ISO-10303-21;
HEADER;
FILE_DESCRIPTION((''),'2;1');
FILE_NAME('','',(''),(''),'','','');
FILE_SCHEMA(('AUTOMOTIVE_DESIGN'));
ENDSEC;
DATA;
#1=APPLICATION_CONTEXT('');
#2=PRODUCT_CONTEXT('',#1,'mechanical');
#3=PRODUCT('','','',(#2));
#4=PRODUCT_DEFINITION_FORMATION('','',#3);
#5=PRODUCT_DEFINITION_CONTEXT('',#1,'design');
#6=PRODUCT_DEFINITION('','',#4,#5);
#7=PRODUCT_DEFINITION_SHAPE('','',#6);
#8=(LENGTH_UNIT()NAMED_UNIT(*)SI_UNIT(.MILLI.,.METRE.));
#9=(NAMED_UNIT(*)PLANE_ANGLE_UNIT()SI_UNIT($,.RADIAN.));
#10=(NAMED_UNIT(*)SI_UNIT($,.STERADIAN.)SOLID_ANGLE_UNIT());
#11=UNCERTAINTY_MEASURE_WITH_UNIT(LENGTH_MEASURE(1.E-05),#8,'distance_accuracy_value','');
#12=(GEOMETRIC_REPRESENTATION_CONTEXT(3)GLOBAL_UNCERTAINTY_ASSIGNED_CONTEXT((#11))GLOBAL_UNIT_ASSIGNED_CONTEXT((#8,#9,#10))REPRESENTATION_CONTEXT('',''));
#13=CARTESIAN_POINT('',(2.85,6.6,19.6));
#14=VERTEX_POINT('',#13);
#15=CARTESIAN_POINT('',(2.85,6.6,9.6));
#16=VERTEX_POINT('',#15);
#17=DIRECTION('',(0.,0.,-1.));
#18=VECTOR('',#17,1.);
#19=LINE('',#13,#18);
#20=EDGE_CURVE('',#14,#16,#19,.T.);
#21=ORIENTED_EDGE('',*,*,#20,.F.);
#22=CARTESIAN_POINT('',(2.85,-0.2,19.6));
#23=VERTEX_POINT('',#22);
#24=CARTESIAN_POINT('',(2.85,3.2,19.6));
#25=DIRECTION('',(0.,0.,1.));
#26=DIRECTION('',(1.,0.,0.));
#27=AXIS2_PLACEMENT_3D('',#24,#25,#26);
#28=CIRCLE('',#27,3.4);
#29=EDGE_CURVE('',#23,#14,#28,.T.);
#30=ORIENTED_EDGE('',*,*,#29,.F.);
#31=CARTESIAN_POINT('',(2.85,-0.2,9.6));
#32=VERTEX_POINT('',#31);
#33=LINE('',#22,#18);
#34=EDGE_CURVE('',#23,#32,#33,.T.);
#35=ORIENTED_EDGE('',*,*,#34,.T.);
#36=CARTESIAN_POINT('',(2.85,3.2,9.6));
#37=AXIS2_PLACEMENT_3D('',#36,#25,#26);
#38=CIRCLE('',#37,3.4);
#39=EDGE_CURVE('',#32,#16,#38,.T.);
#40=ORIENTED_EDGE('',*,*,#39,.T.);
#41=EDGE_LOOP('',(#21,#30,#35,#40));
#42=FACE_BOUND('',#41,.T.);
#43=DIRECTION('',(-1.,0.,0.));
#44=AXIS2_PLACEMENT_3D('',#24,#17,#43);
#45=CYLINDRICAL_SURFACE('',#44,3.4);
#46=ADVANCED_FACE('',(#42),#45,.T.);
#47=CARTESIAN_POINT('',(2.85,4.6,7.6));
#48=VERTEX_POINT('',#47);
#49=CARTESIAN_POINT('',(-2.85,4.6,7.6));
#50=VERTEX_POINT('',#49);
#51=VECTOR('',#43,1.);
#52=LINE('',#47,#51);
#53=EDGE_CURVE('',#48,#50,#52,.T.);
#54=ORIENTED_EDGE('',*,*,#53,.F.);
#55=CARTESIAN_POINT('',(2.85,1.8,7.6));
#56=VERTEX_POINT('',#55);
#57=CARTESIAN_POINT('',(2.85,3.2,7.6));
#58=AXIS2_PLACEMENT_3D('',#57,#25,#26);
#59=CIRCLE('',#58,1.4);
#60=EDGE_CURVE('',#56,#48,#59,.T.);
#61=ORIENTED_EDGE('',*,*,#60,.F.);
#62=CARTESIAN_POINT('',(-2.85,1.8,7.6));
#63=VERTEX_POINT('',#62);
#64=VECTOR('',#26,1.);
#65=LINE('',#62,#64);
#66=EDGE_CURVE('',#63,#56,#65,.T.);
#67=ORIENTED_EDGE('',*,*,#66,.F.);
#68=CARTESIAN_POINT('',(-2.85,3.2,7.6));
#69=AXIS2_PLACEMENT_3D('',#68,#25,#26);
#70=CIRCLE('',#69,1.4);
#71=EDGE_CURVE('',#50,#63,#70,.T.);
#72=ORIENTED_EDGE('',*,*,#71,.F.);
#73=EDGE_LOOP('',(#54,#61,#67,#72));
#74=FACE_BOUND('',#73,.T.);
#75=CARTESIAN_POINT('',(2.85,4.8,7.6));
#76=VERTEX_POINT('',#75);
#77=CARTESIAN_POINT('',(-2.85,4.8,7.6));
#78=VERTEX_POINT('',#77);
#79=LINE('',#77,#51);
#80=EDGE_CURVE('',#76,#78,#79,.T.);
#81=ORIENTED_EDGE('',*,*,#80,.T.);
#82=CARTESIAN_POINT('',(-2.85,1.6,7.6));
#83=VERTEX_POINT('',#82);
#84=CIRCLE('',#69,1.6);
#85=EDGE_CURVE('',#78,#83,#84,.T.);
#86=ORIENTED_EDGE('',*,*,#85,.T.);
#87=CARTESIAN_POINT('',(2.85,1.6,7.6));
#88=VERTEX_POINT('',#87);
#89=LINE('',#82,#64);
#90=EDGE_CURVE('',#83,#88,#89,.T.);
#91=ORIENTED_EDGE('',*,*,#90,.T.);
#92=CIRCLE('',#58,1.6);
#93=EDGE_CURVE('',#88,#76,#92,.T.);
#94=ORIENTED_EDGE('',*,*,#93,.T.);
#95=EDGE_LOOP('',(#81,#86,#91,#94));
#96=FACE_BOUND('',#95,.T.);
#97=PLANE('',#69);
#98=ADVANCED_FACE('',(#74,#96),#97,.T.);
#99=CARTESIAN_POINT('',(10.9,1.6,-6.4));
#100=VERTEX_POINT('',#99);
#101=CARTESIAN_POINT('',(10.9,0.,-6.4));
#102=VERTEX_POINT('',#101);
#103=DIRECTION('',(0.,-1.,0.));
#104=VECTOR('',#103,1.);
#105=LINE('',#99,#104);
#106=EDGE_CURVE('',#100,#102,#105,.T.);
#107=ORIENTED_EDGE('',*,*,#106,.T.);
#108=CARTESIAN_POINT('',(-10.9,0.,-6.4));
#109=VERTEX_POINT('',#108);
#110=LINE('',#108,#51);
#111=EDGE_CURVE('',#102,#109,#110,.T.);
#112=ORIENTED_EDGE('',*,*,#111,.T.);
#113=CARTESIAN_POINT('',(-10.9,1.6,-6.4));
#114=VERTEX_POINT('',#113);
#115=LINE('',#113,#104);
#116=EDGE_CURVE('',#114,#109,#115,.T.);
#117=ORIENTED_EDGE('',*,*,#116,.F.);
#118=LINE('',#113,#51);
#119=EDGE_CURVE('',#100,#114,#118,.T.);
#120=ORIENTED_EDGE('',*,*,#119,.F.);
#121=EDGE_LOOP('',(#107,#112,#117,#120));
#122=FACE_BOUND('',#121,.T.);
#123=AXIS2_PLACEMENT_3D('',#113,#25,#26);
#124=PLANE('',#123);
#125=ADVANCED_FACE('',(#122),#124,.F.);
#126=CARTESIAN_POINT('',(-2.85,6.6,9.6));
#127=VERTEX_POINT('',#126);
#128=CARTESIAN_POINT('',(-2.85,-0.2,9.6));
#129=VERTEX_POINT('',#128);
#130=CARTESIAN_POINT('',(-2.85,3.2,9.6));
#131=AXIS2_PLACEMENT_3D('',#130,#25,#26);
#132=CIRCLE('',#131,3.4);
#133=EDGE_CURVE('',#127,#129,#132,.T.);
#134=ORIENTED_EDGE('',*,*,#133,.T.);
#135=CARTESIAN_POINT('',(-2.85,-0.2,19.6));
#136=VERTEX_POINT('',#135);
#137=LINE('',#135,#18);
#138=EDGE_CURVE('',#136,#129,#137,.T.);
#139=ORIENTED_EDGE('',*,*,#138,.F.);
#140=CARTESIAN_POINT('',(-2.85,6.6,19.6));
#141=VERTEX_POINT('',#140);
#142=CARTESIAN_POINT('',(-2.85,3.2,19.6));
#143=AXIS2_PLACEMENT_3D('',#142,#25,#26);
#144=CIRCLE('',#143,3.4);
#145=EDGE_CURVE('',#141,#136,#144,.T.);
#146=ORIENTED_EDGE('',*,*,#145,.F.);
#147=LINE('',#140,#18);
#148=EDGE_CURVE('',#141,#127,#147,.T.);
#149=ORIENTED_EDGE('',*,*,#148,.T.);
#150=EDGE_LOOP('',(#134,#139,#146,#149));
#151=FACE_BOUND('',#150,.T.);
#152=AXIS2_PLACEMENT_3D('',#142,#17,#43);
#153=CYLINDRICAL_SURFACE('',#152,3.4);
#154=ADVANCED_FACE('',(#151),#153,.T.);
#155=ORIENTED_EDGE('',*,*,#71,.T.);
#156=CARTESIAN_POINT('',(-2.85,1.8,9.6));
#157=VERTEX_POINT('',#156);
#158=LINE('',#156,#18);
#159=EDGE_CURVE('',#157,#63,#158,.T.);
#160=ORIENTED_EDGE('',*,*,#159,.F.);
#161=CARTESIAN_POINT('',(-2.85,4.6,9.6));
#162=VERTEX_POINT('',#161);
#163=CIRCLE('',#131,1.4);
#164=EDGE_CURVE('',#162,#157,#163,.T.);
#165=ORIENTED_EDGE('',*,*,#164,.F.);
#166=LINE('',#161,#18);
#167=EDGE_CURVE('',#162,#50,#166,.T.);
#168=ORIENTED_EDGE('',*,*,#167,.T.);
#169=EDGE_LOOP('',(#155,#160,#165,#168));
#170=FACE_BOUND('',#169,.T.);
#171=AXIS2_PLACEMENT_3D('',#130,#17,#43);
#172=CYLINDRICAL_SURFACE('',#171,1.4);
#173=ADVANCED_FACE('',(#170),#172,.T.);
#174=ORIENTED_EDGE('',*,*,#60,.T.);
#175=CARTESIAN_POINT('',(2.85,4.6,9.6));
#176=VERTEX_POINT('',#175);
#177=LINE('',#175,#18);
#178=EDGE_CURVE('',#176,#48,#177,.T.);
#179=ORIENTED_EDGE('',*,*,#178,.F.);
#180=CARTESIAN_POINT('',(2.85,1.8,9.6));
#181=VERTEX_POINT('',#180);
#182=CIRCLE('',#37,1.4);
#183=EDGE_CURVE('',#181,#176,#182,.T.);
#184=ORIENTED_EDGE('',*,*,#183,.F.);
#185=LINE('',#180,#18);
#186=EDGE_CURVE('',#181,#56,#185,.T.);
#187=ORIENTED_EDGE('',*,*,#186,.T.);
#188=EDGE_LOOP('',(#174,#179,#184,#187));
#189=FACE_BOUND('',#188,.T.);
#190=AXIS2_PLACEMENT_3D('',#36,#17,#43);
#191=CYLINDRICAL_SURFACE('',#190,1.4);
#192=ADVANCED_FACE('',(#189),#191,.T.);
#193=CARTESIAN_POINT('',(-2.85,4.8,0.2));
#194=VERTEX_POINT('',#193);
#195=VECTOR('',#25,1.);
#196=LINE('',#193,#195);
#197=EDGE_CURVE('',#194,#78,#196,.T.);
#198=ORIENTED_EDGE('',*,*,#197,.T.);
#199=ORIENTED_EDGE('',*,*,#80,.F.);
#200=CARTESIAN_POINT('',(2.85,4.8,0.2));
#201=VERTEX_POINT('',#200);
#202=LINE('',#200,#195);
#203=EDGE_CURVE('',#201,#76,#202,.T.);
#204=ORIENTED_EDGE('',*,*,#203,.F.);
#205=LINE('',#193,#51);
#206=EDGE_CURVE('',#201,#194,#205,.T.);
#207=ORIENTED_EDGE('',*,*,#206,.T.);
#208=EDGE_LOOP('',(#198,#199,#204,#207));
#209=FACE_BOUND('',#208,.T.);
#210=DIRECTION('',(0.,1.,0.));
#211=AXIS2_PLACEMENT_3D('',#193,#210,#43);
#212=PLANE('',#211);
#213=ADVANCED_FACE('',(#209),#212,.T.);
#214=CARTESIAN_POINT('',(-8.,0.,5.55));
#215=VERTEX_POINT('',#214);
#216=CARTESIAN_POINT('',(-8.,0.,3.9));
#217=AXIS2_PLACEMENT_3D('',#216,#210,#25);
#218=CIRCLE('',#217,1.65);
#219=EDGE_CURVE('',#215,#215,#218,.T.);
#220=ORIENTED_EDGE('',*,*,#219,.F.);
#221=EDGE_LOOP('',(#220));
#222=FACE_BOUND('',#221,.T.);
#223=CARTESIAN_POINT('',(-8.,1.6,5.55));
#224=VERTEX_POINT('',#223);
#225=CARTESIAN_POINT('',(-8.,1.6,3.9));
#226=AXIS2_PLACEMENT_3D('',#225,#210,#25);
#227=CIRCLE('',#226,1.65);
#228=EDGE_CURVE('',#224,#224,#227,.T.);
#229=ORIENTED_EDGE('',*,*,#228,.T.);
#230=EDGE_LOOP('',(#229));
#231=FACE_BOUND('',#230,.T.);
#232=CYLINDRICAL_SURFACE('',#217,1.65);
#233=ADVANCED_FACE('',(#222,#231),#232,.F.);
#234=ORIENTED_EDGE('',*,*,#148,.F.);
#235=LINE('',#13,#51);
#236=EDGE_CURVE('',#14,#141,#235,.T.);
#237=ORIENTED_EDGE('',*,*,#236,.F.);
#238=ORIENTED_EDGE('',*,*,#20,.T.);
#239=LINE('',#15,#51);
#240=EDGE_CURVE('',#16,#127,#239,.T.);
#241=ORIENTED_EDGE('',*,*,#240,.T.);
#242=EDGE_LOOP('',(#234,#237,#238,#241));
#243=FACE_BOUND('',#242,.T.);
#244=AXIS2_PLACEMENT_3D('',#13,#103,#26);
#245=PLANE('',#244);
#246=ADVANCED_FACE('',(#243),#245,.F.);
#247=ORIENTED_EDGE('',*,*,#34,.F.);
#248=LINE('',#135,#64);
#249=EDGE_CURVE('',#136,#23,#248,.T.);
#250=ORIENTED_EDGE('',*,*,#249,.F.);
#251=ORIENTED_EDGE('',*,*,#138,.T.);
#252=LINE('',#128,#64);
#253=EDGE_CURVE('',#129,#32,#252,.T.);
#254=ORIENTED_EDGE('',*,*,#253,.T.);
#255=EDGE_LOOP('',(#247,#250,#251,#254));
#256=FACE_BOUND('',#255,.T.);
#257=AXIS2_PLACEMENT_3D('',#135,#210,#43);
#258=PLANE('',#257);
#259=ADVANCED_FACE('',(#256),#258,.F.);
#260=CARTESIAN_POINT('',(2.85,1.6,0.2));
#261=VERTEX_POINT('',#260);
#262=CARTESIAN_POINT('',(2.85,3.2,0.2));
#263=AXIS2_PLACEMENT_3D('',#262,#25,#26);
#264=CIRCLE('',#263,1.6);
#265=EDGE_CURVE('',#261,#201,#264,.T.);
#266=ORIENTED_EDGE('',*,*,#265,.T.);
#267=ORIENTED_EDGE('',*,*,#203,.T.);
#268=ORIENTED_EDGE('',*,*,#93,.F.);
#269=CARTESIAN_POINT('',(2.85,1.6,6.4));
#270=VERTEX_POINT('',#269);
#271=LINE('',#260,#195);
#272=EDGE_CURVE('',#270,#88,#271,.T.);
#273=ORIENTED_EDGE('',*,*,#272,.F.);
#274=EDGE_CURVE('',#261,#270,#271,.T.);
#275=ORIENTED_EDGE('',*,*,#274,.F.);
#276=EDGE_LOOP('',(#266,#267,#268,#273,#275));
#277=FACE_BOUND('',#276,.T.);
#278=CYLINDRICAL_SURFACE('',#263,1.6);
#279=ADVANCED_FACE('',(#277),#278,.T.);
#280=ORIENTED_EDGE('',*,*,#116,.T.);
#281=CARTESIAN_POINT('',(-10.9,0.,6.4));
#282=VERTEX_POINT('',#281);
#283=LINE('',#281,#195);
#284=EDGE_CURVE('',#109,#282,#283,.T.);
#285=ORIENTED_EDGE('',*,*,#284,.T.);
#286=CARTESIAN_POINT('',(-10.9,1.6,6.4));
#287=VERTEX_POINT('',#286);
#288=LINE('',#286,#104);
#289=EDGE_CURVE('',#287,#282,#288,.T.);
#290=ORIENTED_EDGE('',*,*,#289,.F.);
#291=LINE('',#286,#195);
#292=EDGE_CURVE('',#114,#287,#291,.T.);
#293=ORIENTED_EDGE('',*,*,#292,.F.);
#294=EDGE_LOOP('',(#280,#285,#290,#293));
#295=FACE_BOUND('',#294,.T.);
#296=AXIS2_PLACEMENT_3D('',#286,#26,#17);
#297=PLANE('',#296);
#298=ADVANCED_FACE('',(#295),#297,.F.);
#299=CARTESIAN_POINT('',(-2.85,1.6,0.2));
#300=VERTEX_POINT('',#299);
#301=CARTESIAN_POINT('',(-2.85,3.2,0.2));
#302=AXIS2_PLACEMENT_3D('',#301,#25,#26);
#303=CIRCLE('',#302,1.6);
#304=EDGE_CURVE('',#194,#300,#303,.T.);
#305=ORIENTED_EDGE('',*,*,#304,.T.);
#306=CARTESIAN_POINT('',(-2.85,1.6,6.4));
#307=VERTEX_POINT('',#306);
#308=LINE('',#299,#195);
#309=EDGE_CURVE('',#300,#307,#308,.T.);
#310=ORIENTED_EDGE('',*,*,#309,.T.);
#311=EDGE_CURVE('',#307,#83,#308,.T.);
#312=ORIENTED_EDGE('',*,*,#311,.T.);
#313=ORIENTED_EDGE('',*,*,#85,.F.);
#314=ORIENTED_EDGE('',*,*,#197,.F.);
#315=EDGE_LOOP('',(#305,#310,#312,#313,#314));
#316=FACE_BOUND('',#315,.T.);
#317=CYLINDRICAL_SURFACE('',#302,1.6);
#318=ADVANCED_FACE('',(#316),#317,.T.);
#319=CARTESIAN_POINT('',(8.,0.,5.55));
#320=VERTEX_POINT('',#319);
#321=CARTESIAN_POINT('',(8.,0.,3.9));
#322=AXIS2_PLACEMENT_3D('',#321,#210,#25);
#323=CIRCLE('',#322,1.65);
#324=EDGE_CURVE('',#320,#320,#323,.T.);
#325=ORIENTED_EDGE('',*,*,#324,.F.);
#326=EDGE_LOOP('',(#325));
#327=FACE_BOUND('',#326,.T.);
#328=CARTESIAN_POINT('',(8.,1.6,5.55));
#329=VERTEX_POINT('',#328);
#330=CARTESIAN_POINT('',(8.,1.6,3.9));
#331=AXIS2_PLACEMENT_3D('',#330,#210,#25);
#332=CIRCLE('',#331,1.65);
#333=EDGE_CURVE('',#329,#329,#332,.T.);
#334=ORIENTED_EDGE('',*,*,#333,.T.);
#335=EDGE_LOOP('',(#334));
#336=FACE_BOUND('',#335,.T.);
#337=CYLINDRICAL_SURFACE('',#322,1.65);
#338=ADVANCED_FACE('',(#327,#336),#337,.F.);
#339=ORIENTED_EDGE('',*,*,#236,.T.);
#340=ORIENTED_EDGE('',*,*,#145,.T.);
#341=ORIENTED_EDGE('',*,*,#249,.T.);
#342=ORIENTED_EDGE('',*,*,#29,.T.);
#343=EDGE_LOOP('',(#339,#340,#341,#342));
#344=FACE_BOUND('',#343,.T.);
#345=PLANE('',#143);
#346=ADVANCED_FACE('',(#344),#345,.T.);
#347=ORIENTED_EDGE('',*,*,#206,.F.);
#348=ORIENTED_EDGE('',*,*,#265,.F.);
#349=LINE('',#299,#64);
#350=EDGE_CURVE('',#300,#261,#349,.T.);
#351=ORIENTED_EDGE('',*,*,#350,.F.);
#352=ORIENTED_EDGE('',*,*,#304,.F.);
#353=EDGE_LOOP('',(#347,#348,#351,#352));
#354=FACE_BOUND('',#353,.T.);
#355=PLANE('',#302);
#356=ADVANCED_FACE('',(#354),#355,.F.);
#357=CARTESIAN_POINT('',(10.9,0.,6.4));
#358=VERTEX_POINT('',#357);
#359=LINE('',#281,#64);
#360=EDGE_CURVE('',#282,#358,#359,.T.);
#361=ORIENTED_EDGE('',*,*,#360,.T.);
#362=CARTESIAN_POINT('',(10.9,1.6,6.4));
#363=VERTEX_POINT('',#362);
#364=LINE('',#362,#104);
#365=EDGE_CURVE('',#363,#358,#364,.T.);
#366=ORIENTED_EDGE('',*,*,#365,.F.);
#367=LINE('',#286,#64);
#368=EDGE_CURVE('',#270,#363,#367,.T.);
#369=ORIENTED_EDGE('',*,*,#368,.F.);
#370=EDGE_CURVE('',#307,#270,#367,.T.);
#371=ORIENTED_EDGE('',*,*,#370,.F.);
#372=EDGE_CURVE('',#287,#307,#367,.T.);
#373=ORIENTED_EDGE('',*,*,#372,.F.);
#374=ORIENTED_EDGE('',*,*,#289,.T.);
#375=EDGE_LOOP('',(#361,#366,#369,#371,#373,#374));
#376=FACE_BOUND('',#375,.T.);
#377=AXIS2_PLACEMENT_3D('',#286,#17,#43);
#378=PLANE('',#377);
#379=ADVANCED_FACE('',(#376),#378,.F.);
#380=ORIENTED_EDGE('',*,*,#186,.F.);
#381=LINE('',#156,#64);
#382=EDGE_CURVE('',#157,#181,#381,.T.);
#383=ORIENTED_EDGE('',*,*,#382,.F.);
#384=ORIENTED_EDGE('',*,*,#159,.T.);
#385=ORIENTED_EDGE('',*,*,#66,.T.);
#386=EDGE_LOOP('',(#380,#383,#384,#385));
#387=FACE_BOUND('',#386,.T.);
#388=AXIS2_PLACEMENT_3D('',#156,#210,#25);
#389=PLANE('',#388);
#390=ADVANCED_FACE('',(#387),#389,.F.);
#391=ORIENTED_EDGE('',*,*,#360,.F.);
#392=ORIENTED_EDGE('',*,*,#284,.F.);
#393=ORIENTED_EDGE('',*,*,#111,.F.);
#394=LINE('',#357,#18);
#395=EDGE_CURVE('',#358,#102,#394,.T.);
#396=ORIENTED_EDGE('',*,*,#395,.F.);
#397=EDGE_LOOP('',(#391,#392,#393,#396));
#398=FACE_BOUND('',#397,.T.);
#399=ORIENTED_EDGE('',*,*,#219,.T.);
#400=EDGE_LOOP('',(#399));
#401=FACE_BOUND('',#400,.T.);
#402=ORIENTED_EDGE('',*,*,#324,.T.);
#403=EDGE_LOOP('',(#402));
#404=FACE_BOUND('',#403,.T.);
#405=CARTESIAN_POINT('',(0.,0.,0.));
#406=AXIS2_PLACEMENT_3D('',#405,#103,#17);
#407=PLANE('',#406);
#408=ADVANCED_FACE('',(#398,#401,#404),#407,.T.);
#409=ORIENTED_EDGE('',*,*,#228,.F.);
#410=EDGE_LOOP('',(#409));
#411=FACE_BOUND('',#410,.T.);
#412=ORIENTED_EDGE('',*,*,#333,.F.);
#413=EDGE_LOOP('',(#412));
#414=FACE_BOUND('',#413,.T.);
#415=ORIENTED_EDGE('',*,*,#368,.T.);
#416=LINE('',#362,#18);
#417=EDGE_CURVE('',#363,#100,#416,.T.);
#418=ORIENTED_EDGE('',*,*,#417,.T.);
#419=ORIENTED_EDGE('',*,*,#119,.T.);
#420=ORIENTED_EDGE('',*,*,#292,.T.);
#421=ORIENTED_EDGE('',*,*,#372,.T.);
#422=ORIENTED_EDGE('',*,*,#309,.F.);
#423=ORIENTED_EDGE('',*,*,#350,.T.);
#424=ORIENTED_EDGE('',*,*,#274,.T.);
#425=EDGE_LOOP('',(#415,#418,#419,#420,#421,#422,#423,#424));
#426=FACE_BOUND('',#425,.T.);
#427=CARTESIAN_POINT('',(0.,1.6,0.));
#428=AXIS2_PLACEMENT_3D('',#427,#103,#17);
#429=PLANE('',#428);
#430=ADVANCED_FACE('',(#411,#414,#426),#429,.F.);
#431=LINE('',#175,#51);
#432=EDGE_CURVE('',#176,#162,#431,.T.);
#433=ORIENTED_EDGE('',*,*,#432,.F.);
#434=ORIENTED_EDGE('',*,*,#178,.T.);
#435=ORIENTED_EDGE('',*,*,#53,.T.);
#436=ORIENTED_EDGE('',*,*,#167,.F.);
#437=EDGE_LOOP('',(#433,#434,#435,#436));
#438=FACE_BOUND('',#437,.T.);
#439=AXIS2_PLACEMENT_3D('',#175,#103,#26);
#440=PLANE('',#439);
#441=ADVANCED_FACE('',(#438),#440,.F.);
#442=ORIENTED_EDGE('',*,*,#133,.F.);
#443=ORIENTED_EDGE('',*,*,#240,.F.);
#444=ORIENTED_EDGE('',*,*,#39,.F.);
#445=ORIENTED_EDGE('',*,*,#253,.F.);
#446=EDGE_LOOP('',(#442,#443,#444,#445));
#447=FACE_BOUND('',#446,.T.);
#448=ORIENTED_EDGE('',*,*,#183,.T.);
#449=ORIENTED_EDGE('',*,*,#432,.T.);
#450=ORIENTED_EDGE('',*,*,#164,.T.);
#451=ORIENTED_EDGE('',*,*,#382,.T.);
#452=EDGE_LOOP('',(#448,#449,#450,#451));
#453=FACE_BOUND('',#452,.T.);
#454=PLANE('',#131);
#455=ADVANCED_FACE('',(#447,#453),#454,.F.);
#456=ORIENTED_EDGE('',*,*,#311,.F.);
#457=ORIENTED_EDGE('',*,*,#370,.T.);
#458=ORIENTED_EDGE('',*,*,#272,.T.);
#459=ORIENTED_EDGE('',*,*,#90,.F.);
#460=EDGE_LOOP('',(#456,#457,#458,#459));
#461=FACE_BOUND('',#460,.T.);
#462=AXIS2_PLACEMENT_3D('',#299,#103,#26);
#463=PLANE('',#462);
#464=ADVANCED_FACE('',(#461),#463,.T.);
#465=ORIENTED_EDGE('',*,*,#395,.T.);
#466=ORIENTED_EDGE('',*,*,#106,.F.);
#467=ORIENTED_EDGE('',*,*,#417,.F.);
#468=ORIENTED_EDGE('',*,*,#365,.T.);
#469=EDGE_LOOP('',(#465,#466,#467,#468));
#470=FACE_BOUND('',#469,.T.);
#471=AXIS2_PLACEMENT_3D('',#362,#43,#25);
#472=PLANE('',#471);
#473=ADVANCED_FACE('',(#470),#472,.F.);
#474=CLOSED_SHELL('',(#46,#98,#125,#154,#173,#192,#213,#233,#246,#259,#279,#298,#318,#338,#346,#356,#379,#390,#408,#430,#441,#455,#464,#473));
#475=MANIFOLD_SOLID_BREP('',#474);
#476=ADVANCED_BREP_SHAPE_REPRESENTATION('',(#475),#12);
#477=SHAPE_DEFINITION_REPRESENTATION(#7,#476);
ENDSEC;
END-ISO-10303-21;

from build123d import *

# Parameters (mm, degrees)
SKETCH1_W           = 21.8
SKETCH1_H           = 12.8
BOSS_EXTRUDE1_DEPTH = 1.6
SKETCH2_R           = 1.65
CUT_EXTRUDE1_DEPTH  = 1.6
BOSS_EXTRUDE2_DEPTH = 7.4
BOSS_EXTRUDE3_DEPTH = 2
BOSS_EXTRUDE4_DEPTH = 10


with BuildPart() as part:
    # Sketch1 → Boss-Extrude1 (new body)
    with BuildSketch(Plane(origin=(0, 0, 0), x_dir=(1, 0, 0), z_dir=(0, 1, 0))):
        Rectangle(SKETCH1_W, SKETCH1_H)
    extrude(amount=BOSS_EXTRUDE1_DEPTH)

    # Sketch2 → Cut-Extrude1 (cut)
    with BuildSketch(Plane(origin=(0, 1.6, 0), x_dir=(1, 0, 0), z_dir=(0, 1, 0))):
        with Locations(Location((-8, -3.9, 0), (0, 0, 270))):
            Circle(SKETCH2_R)
        with Locations(Location((8, -3.9, 0), (0, 0, 270))):
            Circle(SKETCH2_R)
    extrude(amount=-CUT_EXTRUDE1_DEPTH, mode=Mode.SUBTRACT)

    # Sketch3 → Boss-Extrude2 (add)
    with BuildSketch(Plane.XY.offset(7.6)):
        with BuildLine():
            Line((-2.85, 4.8), (2.85, 4.8))
            ThreePointArc((2.85, 4.8), (4.45, 3.2), (2.85, 1.6))
            Line((2.85, 1.6), (-2.85, 1.6))
            ThreePointArc((-2.85, 1.6), (-4.45, 3.2), (-2.85, 4.8))
        make_face()
    extrude(amount=-BOSS_EXTRUDE2_DEPTH)

    # Sketch4 → Boss-Extrude3 (add)
    with BuildSketch(Plane.XY.offset(7.6)):
        with BuildLine():
            Line((-2.85, 1.8), (2.85, 1.8))
            ThreePointArc((2.85, 1.8), (4.25, 3.2), (2.85, 4.6))
            Line((2.85, 4.6), (-2.85, 4.6))
            ThreePointArc((-2.85, 4.6), (-4.25, 3.2), (-2.85, 1.8))
        make_face()
    extrude(amount=BOSS_EXTRUDE3_DEPTH)

    # Sketch5 → Boss-Extrude4 (add)
    with BuildSketch(Plane.XY.offset(9.6)):
        with BuildLine():
            Line((-2.85, -0.2), (2.85, -0.2))
            ThreePointArc((2.85, -0.2), (6.25, 3.2), (2.85, 6.6))
            Line((2.85, 6.6), (-2.85, 6.6))
            ThreePointArc((-2.85, 6.6), (-6.25, 3.2), (-2.85, -0.2))
        make_face()
    extrude(amount=BOSS_EXTRUDE4_DEPTH)


solid = part.part
